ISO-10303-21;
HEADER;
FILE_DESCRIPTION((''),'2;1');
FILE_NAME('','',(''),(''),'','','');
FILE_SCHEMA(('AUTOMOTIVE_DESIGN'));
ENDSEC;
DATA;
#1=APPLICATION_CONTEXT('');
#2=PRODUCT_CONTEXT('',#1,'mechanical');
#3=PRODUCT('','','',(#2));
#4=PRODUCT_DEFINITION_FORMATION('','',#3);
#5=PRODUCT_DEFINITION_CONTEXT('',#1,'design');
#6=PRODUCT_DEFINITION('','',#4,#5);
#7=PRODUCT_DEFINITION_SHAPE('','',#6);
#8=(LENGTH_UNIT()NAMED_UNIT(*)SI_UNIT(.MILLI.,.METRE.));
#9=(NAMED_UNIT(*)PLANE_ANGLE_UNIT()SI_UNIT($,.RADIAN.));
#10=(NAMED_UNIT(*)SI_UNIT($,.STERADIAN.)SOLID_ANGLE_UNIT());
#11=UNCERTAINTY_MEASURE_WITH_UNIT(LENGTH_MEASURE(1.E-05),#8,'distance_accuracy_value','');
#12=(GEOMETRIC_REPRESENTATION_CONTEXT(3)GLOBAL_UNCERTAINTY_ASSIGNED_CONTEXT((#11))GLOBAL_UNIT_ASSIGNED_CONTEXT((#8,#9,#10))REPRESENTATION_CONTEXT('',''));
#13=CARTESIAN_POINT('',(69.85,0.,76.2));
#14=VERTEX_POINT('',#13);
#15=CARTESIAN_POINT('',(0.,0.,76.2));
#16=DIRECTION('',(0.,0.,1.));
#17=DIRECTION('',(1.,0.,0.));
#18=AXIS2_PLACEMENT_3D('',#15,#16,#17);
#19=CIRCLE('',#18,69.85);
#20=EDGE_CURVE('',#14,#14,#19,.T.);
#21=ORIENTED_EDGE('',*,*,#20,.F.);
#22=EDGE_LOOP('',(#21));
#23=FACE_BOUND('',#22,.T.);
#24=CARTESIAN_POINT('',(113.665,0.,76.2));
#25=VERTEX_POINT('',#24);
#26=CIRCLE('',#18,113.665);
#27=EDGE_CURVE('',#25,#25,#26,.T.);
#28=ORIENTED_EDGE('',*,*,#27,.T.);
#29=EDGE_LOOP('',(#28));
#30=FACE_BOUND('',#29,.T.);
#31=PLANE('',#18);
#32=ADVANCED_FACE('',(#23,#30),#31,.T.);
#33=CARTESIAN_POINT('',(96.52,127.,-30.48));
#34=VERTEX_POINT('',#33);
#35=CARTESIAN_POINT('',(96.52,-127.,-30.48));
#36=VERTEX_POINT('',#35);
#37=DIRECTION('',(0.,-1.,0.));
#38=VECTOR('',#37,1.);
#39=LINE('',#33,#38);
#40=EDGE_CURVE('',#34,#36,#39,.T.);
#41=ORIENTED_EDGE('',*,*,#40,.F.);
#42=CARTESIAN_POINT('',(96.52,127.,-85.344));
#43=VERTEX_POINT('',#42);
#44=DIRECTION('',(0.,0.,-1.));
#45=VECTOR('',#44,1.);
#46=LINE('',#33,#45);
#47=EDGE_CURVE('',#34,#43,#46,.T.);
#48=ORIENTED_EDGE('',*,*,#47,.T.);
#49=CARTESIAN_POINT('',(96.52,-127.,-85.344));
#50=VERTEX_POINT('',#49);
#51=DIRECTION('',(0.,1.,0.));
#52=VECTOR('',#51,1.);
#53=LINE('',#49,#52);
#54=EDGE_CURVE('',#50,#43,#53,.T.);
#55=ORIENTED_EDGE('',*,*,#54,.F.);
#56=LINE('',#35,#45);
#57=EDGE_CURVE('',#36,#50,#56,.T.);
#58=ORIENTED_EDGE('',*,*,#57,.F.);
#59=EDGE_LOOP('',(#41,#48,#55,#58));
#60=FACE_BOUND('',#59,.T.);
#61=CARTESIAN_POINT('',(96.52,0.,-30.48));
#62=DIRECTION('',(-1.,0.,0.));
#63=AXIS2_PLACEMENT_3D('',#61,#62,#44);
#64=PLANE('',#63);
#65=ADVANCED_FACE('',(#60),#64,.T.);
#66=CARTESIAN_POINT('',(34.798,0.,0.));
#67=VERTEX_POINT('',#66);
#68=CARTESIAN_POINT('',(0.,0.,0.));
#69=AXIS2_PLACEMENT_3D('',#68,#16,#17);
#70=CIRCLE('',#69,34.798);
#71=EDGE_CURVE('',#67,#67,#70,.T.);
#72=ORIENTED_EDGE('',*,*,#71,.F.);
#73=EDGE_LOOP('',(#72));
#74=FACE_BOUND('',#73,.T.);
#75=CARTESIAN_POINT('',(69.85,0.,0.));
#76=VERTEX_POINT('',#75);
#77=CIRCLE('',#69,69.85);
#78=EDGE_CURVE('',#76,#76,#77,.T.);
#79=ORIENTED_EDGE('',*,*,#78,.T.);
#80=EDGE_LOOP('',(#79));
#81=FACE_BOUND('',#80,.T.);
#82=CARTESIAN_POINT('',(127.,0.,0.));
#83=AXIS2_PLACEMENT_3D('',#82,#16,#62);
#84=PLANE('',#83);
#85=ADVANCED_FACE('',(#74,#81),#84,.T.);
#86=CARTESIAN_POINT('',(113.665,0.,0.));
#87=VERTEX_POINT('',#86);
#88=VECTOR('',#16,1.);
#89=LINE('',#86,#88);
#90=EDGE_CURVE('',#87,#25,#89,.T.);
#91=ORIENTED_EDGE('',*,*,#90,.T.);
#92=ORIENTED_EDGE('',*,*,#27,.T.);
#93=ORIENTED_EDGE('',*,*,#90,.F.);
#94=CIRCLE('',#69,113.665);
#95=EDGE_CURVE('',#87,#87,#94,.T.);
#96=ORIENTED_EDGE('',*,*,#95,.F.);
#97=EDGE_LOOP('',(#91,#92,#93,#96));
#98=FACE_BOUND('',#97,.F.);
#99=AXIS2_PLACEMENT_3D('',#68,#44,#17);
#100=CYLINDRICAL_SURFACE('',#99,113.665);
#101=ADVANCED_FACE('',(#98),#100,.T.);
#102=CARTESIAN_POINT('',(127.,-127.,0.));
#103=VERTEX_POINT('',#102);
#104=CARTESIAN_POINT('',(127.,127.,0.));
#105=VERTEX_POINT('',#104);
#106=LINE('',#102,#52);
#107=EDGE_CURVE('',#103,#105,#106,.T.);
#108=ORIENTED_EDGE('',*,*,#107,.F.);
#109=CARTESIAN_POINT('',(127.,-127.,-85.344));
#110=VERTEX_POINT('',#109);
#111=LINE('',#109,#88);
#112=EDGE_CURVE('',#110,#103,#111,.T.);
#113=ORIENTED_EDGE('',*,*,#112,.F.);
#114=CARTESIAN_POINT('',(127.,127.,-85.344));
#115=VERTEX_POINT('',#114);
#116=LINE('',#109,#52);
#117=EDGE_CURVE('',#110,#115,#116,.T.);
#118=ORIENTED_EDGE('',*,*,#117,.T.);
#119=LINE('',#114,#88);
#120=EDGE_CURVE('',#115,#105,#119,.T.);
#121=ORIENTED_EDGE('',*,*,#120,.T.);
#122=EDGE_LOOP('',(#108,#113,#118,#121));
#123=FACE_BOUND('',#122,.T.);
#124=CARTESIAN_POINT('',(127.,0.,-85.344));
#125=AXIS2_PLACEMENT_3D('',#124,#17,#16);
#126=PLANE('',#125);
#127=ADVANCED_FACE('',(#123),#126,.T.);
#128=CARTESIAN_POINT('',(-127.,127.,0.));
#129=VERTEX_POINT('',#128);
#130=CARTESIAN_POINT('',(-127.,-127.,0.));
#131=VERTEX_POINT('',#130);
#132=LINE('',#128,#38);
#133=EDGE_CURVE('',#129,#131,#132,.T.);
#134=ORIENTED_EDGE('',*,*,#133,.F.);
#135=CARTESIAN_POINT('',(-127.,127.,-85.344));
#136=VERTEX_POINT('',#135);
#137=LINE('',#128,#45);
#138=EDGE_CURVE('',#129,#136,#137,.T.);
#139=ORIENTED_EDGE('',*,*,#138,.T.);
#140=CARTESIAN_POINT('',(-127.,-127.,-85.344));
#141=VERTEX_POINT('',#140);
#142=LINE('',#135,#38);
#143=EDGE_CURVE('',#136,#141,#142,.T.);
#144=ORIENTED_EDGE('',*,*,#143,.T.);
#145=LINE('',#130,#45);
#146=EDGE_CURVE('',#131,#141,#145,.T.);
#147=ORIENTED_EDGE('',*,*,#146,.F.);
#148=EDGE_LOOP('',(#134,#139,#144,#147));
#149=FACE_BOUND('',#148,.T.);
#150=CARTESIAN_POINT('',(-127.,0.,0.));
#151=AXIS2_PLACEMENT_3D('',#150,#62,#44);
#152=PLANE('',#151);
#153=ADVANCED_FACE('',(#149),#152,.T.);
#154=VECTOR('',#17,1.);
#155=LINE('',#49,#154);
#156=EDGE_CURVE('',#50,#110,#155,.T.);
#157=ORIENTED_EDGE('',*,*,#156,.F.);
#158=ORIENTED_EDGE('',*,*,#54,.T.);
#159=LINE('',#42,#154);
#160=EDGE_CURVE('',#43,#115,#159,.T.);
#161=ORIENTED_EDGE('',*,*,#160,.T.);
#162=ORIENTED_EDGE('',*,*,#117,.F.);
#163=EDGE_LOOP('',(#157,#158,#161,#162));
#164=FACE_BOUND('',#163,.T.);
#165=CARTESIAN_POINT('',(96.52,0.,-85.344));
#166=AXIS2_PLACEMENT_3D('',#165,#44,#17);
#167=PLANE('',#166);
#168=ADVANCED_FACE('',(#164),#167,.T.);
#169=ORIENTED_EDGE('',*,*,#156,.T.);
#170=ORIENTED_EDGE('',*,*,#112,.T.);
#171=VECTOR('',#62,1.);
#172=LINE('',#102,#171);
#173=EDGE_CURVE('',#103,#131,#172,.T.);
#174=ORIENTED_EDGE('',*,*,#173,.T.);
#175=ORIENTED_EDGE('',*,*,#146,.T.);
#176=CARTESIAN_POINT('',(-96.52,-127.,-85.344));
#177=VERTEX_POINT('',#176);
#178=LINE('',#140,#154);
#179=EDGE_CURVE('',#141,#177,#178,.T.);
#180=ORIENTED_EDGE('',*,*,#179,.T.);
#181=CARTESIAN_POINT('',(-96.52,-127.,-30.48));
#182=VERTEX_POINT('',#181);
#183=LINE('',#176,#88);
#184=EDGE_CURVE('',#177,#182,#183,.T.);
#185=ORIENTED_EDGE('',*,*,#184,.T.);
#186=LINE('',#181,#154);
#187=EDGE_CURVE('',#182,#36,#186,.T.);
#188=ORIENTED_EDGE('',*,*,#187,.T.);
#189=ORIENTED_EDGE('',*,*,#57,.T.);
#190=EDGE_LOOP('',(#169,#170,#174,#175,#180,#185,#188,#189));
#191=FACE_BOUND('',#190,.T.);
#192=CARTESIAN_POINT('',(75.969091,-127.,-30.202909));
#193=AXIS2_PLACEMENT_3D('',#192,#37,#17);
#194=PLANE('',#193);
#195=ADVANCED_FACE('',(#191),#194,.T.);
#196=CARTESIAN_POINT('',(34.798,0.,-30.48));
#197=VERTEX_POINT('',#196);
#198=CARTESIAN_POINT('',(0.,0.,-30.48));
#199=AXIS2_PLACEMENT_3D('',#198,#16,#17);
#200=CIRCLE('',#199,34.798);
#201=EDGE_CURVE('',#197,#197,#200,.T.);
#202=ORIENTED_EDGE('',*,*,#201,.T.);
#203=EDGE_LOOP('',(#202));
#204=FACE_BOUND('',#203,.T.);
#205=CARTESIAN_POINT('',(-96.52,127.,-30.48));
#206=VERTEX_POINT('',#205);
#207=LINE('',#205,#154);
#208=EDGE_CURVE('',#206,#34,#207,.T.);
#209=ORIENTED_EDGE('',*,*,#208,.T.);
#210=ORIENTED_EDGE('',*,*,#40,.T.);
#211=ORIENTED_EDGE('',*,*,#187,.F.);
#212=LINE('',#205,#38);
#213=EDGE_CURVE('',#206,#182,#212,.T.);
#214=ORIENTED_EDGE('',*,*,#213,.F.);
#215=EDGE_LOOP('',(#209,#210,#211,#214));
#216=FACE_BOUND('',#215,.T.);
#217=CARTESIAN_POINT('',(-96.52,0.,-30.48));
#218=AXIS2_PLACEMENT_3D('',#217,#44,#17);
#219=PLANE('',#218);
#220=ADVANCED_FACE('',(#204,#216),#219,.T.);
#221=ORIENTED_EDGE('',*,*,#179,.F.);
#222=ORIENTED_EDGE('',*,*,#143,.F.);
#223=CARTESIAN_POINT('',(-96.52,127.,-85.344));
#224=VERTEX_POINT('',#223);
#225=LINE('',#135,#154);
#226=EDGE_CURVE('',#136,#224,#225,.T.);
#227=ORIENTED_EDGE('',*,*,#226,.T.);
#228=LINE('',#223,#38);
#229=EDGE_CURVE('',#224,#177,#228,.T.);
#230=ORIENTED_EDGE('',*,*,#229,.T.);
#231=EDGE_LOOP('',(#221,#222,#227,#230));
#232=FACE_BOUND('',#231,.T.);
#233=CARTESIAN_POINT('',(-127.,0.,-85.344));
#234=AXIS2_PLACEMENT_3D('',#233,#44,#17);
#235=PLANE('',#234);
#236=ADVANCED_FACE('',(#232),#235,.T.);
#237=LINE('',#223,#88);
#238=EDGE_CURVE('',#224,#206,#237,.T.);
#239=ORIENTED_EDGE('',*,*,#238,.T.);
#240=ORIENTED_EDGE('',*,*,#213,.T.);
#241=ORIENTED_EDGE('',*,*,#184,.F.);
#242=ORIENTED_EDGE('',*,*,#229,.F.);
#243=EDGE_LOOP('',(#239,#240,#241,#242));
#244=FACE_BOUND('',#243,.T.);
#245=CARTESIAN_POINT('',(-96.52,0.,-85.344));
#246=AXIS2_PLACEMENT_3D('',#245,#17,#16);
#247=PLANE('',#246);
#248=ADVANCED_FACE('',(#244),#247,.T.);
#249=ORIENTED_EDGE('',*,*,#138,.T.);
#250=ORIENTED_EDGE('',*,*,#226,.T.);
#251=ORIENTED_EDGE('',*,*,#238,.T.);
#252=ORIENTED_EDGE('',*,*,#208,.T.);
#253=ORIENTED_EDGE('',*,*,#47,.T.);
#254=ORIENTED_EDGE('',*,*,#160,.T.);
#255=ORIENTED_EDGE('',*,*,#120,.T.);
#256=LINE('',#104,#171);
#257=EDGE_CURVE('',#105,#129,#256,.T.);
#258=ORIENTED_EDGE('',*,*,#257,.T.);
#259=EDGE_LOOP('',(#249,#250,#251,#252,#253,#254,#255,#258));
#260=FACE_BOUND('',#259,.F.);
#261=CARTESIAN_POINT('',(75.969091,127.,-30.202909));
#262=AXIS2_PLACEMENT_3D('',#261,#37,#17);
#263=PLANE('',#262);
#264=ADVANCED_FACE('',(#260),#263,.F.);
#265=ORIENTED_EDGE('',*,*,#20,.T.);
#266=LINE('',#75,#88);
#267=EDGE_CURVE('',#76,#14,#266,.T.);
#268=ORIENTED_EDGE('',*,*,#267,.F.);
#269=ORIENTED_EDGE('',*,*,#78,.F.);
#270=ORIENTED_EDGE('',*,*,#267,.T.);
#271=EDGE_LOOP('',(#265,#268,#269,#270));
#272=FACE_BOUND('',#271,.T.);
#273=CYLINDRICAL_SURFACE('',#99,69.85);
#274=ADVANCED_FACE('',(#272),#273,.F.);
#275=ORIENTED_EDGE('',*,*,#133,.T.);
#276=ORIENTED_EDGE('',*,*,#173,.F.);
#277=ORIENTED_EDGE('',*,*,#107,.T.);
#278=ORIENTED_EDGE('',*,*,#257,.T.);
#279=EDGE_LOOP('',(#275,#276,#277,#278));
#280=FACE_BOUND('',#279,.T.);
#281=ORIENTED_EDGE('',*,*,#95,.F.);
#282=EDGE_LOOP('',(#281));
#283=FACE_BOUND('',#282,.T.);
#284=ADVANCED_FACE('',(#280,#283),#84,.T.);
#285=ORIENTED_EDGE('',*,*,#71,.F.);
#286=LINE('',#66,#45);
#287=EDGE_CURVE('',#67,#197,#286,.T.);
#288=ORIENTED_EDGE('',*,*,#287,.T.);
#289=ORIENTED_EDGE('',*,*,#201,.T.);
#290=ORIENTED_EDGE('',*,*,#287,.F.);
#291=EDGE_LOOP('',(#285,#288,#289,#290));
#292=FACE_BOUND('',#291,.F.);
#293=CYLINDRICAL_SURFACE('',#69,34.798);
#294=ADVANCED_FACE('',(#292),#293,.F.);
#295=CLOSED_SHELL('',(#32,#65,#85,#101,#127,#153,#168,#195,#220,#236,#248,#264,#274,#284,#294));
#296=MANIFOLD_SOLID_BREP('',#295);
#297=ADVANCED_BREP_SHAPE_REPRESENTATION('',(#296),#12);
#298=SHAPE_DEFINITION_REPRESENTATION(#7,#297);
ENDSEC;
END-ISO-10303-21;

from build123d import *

# Parameters (mm, degrees)
F1_DEPTH = 127
F2_R     = 113.665
F2_R_2   = 69.85
F3_DEPTH = 76.2
F2_R_3   = 34.798
F4_DEPTH = 101.6


with BuildPart() as f1:
    # F0 (on Front) → F1 (new body, symmetric)
    with BuildSketch(Plane.XZ):
        Polygon((127, 0), (0, 0), (0, -30.48), (96.52, -30.48), (96.52, -85.344), (127, -85.344), align=None)
        Polygon((0, -30.48), (0, 0), (-127, 0), (-127, -85.344), (-96.52, -85.344), (-96.52, -30.48), align=None)
    extrude(amount=F1_DEPTH, both=True)

    # F2 (on face) → F3 (join)
    with BuildSketch(Plane.XY):
        Circle(F2_R)
        Circle(F2_R_2, mode=Mode.SUBTRACT)
    extrude(amount=F3_DEPTH)

    # F2 (on face) → F4 (cut)
    with BuildSketch(Plane.XY):
        Circle(F2_R_3)
    extrude(amount=-F4_DEPTH, mode=Mode.SUBTRACT)


solid = f1.part
